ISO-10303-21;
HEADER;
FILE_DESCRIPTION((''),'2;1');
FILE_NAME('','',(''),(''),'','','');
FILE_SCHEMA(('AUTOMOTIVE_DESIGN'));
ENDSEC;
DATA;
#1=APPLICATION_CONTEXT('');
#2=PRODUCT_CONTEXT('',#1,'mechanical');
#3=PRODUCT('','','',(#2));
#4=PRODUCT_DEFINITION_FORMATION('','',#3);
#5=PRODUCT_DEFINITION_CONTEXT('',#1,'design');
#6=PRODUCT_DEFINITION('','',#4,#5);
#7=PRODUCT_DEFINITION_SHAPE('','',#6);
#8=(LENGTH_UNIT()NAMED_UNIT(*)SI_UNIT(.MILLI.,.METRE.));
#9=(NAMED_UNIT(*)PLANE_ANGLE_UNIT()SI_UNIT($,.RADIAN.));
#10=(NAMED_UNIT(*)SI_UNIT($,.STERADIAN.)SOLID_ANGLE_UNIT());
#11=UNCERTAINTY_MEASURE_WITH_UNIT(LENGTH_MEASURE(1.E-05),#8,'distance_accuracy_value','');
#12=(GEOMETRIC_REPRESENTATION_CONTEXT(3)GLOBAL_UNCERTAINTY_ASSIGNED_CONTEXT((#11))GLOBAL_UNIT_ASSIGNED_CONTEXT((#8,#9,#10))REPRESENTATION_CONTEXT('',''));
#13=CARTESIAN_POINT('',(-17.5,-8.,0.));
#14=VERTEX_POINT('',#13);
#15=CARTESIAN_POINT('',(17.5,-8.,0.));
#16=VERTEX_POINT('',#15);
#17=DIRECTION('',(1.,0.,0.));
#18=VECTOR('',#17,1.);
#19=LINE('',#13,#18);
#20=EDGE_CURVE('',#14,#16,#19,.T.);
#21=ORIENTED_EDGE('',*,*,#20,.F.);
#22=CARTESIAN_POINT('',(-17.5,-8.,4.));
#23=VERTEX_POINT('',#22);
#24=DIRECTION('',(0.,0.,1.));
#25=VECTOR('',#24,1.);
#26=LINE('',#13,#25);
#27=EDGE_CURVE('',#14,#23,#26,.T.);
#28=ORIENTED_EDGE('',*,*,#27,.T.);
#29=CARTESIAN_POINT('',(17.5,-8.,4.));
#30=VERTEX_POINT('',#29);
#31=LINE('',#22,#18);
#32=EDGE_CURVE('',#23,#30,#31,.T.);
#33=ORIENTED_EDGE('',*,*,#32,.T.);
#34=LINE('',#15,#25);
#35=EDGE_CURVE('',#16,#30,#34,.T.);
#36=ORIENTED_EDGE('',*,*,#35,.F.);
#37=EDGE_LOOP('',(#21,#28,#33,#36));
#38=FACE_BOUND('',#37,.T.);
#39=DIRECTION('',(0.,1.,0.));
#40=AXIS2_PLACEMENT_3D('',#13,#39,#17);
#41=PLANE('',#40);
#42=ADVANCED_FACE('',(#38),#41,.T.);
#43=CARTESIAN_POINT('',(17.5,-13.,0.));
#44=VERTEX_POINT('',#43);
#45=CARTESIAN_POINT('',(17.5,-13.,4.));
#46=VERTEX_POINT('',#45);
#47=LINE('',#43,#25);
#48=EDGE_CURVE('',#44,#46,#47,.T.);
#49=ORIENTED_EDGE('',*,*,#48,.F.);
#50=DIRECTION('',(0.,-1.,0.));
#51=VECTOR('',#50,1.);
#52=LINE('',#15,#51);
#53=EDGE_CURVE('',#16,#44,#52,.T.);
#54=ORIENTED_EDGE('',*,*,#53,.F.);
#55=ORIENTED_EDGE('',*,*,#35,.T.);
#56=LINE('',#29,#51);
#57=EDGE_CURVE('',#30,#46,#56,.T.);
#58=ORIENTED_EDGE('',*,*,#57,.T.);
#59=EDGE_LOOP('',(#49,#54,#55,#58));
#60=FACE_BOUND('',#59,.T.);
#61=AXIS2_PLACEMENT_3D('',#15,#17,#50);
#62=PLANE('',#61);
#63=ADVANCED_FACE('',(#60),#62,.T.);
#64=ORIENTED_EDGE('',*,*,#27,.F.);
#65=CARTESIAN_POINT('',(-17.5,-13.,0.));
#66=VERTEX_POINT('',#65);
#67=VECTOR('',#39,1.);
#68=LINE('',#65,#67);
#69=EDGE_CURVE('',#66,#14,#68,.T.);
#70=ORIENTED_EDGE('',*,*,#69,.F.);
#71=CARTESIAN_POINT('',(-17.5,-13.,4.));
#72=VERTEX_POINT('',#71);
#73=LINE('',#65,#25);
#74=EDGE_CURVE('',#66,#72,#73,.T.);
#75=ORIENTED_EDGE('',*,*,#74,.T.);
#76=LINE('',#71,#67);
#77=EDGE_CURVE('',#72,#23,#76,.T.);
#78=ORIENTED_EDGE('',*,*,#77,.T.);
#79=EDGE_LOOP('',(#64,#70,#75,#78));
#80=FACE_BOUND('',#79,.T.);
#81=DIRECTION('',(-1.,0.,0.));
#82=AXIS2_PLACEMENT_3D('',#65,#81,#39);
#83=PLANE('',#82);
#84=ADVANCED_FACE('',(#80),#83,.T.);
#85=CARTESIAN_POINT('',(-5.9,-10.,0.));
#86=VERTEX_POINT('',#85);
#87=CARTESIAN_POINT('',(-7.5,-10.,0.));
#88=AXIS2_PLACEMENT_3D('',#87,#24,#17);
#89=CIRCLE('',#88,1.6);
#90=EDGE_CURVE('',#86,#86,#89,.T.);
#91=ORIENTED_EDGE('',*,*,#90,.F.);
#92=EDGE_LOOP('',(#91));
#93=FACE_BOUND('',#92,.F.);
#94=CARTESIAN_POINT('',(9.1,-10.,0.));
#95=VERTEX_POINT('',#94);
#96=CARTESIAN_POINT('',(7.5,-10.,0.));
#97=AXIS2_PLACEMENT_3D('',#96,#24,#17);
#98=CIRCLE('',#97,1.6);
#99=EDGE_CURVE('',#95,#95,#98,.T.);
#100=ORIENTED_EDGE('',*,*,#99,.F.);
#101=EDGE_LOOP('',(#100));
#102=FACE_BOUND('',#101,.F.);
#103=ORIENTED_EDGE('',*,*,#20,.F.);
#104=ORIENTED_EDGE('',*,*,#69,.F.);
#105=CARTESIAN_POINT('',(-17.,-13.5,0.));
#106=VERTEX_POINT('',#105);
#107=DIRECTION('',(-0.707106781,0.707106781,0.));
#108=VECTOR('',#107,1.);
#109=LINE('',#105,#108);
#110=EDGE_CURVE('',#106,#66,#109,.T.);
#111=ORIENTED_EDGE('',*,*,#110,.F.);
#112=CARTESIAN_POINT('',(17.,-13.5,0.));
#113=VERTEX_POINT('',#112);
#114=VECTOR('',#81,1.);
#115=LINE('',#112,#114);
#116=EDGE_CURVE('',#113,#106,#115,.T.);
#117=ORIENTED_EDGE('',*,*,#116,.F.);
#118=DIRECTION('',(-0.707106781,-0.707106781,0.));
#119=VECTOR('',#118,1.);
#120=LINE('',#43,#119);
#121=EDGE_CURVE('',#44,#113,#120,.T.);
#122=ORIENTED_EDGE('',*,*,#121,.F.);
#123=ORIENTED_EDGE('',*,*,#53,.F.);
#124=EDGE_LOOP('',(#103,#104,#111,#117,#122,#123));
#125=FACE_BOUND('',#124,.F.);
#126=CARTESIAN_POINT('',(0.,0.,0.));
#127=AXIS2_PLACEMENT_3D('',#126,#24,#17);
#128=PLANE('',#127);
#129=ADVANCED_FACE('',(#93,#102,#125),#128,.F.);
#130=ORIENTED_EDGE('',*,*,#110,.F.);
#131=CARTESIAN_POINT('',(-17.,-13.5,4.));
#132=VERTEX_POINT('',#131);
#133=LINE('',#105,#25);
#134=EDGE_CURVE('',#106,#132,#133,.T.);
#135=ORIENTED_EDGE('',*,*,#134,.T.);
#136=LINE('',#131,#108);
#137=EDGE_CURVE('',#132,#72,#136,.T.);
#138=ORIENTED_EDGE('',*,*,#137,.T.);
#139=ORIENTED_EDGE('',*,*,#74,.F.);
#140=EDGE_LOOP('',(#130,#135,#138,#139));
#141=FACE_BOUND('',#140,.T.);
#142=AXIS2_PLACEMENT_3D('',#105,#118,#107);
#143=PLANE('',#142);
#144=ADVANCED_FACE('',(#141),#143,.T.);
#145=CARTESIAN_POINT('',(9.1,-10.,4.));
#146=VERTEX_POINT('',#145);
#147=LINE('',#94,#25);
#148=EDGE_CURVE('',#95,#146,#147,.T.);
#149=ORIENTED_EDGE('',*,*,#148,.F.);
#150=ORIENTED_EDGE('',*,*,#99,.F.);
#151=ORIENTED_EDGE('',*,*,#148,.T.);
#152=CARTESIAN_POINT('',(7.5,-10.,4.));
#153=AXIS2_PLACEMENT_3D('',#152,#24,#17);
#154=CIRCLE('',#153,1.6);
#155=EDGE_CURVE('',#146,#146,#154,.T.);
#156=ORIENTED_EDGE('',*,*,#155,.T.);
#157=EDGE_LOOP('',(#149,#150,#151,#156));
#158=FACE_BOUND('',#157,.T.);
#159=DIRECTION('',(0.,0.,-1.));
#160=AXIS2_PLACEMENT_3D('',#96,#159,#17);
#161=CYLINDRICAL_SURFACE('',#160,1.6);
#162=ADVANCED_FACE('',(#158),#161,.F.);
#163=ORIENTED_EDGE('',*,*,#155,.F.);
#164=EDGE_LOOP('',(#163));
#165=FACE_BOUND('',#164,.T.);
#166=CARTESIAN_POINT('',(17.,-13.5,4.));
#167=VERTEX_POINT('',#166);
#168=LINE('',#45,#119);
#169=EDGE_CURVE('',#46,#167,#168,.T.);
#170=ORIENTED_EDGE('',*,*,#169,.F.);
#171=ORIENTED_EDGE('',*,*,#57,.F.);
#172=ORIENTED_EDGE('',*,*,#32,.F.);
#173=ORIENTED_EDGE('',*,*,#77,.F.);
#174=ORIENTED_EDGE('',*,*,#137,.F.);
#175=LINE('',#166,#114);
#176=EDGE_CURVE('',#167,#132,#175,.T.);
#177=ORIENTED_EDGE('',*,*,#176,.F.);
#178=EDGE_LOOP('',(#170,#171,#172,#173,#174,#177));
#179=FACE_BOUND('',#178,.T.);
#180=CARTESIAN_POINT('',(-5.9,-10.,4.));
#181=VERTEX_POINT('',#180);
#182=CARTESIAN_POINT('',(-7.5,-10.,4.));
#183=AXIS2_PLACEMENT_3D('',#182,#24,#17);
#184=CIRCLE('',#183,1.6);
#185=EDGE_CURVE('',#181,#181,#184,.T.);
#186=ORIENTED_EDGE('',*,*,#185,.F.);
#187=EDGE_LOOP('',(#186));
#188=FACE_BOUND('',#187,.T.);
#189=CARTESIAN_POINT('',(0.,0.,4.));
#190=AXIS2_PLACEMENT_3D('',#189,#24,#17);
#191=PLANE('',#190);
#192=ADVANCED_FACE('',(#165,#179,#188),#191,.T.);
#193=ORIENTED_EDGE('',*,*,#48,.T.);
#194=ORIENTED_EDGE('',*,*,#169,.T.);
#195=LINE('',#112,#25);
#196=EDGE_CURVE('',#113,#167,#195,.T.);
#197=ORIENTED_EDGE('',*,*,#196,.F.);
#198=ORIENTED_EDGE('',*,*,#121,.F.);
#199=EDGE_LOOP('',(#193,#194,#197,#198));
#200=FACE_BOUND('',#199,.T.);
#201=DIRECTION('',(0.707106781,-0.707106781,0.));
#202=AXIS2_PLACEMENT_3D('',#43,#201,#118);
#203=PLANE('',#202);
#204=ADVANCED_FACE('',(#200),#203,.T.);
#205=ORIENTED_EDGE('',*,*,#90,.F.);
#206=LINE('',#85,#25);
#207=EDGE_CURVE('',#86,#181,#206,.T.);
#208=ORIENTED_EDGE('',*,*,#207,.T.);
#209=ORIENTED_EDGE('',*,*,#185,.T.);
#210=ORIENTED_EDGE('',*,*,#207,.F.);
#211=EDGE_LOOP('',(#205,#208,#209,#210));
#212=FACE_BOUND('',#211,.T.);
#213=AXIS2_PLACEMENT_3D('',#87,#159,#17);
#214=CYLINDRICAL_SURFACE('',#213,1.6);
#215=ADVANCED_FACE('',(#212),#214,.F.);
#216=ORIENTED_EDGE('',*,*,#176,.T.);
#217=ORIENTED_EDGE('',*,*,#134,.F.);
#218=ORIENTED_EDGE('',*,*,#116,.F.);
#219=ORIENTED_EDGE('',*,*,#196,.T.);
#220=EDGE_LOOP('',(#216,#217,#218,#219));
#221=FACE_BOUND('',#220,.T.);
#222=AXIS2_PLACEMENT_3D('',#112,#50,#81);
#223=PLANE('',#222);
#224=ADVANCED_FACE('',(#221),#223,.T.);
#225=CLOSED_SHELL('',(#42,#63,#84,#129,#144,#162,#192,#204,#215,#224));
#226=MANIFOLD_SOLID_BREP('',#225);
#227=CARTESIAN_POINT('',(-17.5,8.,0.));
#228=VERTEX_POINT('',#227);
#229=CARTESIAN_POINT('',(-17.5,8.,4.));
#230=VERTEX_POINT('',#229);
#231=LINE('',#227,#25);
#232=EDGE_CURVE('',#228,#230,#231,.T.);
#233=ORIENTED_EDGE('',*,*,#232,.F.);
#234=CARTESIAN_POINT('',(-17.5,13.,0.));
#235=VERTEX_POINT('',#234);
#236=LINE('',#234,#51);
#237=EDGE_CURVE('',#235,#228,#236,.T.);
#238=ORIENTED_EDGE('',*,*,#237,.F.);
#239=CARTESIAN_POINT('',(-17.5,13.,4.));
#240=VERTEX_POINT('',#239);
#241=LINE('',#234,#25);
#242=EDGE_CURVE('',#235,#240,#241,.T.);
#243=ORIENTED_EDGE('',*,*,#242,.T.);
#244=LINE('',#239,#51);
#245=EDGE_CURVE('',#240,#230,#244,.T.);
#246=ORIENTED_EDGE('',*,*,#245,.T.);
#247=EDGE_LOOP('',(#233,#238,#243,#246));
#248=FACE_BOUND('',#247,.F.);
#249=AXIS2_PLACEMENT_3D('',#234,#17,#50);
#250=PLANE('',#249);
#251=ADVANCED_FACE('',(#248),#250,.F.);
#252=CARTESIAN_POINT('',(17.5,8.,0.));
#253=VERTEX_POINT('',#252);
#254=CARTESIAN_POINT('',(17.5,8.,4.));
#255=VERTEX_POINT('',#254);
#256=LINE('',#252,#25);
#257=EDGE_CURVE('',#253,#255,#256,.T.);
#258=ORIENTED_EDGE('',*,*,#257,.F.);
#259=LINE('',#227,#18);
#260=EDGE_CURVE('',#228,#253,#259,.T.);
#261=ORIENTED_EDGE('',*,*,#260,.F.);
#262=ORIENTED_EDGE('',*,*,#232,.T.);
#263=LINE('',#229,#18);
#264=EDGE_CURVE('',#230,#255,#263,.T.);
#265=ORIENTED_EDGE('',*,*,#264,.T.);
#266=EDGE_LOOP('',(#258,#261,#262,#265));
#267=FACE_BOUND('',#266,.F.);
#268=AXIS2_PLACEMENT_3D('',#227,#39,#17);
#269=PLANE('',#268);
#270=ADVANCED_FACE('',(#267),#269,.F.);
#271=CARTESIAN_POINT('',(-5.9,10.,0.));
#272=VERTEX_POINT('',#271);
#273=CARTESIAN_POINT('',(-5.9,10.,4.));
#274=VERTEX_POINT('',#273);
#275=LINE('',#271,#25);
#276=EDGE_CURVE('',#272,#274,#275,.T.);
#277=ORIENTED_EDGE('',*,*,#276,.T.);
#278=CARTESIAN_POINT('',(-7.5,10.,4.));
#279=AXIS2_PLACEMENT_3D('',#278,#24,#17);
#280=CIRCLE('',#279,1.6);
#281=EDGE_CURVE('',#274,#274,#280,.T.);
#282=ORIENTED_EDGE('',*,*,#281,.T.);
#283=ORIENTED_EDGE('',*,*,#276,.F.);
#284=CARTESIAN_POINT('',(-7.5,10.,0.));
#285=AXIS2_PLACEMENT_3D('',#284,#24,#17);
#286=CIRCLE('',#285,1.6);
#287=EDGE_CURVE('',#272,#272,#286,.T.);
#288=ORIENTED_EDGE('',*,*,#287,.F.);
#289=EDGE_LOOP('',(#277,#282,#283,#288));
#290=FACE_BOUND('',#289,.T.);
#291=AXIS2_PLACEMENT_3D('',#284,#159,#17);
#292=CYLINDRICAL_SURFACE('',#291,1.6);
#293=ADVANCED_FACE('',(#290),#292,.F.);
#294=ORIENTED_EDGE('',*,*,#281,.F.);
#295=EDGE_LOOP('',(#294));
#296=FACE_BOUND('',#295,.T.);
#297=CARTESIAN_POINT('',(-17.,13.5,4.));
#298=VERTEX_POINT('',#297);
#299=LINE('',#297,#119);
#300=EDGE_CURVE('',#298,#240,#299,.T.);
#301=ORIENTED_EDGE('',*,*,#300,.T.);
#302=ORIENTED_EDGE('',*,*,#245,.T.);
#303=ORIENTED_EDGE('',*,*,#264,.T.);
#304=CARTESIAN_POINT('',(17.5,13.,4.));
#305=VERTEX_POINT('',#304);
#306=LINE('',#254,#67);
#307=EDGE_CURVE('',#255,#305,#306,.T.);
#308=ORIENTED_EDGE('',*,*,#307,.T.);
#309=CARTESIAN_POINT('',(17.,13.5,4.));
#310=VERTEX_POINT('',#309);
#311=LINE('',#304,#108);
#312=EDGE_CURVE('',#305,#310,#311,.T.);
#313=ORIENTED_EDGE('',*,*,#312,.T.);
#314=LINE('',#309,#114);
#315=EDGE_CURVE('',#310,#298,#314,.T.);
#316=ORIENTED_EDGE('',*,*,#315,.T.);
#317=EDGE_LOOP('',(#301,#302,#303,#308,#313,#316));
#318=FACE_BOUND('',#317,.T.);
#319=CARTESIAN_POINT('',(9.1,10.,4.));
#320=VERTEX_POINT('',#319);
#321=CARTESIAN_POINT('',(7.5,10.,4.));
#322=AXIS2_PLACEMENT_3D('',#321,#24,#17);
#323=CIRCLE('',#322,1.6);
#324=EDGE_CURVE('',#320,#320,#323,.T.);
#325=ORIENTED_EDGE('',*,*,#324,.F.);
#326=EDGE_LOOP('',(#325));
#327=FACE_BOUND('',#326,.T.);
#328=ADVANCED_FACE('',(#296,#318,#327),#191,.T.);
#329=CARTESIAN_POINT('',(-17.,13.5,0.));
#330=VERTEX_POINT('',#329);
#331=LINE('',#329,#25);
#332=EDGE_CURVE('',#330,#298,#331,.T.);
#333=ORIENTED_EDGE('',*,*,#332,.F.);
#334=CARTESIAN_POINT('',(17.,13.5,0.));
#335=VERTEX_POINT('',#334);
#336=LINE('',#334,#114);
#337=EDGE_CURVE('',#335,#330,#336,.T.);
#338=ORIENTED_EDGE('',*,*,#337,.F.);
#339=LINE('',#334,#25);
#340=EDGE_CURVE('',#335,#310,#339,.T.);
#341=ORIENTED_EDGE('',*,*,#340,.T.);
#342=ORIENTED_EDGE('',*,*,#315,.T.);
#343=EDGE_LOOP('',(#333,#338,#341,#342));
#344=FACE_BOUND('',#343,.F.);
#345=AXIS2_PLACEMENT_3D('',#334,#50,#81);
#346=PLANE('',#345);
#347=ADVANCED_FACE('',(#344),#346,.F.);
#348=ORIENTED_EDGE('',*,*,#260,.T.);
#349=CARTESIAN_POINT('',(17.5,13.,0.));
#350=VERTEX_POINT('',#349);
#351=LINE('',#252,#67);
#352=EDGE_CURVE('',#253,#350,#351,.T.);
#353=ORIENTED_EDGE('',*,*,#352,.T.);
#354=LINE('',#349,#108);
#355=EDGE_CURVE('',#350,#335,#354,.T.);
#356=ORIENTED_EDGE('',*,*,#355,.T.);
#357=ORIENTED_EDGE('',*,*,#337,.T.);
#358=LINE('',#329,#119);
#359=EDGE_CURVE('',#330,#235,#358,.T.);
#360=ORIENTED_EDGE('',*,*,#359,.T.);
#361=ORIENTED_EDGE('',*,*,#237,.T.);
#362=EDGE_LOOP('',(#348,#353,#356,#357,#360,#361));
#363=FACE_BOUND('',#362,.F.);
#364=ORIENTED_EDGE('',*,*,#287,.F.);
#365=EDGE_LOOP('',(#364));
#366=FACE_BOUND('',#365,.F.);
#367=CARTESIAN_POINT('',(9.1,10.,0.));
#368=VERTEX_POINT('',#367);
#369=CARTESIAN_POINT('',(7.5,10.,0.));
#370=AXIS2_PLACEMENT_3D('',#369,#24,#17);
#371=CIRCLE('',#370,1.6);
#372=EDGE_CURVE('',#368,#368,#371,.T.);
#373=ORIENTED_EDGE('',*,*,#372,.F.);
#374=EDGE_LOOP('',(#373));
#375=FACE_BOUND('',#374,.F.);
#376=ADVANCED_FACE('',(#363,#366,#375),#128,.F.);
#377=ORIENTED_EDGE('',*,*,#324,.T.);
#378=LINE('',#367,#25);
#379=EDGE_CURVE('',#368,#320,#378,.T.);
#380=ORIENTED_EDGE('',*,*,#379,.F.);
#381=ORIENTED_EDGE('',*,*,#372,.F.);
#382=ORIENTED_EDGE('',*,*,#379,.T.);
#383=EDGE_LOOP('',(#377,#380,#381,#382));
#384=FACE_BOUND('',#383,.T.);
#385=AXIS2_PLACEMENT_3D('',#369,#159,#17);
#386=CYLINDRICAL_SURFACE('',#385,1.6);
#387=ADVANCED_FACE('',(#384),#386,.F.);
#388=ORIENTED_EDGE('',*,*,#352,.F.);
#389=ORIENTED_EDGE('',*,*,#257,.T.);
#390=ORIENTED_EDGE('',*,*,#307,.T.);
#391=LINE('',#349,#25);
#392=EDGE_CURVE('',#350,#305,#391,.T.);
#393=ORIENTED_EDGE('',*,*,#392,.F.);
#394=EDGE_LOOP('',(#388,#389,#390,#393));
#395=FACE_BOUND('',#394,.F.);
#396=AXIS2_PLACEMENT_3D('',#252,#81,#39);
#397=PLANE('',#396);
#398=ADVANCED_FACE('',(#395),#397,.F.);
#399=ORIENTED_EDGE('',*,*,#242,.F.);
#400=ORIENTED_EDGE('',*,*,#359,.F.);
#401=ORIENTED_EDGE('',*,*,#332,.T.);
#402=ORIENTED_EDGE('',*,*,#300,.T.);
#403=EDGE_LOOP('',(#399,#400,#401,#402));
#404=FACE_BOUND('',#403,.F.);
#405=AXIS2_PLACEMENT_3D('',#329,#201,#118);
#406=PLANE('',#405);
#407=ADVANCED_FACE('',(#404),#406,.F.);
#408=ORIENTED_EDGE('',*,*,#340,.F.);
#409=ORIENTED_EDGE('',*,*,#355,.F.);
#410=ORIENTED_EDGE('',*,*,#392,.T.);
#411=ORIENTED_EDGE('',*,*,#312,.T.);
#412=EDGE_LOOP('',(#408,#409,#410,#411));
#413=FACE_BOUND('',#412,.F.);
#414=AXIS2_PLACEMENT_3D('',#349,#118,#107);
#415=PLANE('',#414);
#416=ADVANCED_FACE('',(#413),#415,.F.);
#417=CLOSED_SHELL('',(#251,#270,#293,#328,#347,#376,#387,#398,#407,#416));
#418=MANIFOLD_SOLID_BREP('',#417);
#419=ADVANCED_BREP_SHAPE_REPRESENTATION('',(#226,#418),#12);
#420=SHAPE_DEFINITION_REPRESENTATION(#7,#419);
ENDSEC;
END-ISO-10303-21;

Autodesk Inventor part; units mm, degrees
ref_plane "YZ Plane" through (0, 0, 0) normal (1, 0, 0) x (0, 1, 0)
ref_plane "XZ Plane" through (0, 0, 0) normal (0, 1, 0) x (-1, 0, 0)
ref_plane "XY Plane" through (0, 0, 0) normal (0, 0, 1) x (1, 0, 0)
sketch "Sketch2" plane through (0, 0, 0) normal (0, 0, 1) x (1, 0, 0)
  circle A0 centre (-7.5, 10) radius 1.6
  circle A1 centre (7.5, 10) radius 1.6
  circle A2 centre (7.5, -10) radius 1.6
  circle A3 centre (-7.5, -10) radius 1.6
  line L0 (-17.5, 8) -> (17.5, 8)
  line L1 (17.5, 8) -> (17.5, 13)
  line L2 (17.5, 13) -> (17, 13.5)
  line L3 (17, 13.5) -> (-17, 13.5)
  line L4 (-17, 13.5) -> (-17.5, 13)
  line L5 (-17.5, 13) -> (-17.5, 8)
  line L6 (-17.5, -8) -> (17.5, -8)
  line L7 (17.5, -8) -> (17.5, -13)
  line L8 (17.5, -13) -> (17, -13.5)
  line L9 (17, -13.5) -> (-17, -13.5)
  line L10 (-17, -13.5) -> (-17.5, -13)
  line L11 (-17.5, -13) -> (-17.5, -8)
  point P0 (0, 0)
  dimension "d3" = 15
  dimension "d4" = 20
  dimension "d5" = 3.2
  dimension "d6" = 7.5
  dimension "d7" = 2
  dimension "d8" = 10
  dimension "d9" = 10
  dimension "d10" = 3.5
  dimension "d11" = 45
  dimension "d12" = 5
  dimension "d13" = 10
  dimension "d16" = 2
extrude "Extrusion1" add sketch "Sketch2" along normal blind 4
equation "\"d6\" = 0.5 * d3"
equation "\"d9\" = d8"
equation "\"d13\" = 0.5 * d4"
equation "\"d16\" = d7"
properties part number "Gantry_Baseblock" material "ABS Plastic"
